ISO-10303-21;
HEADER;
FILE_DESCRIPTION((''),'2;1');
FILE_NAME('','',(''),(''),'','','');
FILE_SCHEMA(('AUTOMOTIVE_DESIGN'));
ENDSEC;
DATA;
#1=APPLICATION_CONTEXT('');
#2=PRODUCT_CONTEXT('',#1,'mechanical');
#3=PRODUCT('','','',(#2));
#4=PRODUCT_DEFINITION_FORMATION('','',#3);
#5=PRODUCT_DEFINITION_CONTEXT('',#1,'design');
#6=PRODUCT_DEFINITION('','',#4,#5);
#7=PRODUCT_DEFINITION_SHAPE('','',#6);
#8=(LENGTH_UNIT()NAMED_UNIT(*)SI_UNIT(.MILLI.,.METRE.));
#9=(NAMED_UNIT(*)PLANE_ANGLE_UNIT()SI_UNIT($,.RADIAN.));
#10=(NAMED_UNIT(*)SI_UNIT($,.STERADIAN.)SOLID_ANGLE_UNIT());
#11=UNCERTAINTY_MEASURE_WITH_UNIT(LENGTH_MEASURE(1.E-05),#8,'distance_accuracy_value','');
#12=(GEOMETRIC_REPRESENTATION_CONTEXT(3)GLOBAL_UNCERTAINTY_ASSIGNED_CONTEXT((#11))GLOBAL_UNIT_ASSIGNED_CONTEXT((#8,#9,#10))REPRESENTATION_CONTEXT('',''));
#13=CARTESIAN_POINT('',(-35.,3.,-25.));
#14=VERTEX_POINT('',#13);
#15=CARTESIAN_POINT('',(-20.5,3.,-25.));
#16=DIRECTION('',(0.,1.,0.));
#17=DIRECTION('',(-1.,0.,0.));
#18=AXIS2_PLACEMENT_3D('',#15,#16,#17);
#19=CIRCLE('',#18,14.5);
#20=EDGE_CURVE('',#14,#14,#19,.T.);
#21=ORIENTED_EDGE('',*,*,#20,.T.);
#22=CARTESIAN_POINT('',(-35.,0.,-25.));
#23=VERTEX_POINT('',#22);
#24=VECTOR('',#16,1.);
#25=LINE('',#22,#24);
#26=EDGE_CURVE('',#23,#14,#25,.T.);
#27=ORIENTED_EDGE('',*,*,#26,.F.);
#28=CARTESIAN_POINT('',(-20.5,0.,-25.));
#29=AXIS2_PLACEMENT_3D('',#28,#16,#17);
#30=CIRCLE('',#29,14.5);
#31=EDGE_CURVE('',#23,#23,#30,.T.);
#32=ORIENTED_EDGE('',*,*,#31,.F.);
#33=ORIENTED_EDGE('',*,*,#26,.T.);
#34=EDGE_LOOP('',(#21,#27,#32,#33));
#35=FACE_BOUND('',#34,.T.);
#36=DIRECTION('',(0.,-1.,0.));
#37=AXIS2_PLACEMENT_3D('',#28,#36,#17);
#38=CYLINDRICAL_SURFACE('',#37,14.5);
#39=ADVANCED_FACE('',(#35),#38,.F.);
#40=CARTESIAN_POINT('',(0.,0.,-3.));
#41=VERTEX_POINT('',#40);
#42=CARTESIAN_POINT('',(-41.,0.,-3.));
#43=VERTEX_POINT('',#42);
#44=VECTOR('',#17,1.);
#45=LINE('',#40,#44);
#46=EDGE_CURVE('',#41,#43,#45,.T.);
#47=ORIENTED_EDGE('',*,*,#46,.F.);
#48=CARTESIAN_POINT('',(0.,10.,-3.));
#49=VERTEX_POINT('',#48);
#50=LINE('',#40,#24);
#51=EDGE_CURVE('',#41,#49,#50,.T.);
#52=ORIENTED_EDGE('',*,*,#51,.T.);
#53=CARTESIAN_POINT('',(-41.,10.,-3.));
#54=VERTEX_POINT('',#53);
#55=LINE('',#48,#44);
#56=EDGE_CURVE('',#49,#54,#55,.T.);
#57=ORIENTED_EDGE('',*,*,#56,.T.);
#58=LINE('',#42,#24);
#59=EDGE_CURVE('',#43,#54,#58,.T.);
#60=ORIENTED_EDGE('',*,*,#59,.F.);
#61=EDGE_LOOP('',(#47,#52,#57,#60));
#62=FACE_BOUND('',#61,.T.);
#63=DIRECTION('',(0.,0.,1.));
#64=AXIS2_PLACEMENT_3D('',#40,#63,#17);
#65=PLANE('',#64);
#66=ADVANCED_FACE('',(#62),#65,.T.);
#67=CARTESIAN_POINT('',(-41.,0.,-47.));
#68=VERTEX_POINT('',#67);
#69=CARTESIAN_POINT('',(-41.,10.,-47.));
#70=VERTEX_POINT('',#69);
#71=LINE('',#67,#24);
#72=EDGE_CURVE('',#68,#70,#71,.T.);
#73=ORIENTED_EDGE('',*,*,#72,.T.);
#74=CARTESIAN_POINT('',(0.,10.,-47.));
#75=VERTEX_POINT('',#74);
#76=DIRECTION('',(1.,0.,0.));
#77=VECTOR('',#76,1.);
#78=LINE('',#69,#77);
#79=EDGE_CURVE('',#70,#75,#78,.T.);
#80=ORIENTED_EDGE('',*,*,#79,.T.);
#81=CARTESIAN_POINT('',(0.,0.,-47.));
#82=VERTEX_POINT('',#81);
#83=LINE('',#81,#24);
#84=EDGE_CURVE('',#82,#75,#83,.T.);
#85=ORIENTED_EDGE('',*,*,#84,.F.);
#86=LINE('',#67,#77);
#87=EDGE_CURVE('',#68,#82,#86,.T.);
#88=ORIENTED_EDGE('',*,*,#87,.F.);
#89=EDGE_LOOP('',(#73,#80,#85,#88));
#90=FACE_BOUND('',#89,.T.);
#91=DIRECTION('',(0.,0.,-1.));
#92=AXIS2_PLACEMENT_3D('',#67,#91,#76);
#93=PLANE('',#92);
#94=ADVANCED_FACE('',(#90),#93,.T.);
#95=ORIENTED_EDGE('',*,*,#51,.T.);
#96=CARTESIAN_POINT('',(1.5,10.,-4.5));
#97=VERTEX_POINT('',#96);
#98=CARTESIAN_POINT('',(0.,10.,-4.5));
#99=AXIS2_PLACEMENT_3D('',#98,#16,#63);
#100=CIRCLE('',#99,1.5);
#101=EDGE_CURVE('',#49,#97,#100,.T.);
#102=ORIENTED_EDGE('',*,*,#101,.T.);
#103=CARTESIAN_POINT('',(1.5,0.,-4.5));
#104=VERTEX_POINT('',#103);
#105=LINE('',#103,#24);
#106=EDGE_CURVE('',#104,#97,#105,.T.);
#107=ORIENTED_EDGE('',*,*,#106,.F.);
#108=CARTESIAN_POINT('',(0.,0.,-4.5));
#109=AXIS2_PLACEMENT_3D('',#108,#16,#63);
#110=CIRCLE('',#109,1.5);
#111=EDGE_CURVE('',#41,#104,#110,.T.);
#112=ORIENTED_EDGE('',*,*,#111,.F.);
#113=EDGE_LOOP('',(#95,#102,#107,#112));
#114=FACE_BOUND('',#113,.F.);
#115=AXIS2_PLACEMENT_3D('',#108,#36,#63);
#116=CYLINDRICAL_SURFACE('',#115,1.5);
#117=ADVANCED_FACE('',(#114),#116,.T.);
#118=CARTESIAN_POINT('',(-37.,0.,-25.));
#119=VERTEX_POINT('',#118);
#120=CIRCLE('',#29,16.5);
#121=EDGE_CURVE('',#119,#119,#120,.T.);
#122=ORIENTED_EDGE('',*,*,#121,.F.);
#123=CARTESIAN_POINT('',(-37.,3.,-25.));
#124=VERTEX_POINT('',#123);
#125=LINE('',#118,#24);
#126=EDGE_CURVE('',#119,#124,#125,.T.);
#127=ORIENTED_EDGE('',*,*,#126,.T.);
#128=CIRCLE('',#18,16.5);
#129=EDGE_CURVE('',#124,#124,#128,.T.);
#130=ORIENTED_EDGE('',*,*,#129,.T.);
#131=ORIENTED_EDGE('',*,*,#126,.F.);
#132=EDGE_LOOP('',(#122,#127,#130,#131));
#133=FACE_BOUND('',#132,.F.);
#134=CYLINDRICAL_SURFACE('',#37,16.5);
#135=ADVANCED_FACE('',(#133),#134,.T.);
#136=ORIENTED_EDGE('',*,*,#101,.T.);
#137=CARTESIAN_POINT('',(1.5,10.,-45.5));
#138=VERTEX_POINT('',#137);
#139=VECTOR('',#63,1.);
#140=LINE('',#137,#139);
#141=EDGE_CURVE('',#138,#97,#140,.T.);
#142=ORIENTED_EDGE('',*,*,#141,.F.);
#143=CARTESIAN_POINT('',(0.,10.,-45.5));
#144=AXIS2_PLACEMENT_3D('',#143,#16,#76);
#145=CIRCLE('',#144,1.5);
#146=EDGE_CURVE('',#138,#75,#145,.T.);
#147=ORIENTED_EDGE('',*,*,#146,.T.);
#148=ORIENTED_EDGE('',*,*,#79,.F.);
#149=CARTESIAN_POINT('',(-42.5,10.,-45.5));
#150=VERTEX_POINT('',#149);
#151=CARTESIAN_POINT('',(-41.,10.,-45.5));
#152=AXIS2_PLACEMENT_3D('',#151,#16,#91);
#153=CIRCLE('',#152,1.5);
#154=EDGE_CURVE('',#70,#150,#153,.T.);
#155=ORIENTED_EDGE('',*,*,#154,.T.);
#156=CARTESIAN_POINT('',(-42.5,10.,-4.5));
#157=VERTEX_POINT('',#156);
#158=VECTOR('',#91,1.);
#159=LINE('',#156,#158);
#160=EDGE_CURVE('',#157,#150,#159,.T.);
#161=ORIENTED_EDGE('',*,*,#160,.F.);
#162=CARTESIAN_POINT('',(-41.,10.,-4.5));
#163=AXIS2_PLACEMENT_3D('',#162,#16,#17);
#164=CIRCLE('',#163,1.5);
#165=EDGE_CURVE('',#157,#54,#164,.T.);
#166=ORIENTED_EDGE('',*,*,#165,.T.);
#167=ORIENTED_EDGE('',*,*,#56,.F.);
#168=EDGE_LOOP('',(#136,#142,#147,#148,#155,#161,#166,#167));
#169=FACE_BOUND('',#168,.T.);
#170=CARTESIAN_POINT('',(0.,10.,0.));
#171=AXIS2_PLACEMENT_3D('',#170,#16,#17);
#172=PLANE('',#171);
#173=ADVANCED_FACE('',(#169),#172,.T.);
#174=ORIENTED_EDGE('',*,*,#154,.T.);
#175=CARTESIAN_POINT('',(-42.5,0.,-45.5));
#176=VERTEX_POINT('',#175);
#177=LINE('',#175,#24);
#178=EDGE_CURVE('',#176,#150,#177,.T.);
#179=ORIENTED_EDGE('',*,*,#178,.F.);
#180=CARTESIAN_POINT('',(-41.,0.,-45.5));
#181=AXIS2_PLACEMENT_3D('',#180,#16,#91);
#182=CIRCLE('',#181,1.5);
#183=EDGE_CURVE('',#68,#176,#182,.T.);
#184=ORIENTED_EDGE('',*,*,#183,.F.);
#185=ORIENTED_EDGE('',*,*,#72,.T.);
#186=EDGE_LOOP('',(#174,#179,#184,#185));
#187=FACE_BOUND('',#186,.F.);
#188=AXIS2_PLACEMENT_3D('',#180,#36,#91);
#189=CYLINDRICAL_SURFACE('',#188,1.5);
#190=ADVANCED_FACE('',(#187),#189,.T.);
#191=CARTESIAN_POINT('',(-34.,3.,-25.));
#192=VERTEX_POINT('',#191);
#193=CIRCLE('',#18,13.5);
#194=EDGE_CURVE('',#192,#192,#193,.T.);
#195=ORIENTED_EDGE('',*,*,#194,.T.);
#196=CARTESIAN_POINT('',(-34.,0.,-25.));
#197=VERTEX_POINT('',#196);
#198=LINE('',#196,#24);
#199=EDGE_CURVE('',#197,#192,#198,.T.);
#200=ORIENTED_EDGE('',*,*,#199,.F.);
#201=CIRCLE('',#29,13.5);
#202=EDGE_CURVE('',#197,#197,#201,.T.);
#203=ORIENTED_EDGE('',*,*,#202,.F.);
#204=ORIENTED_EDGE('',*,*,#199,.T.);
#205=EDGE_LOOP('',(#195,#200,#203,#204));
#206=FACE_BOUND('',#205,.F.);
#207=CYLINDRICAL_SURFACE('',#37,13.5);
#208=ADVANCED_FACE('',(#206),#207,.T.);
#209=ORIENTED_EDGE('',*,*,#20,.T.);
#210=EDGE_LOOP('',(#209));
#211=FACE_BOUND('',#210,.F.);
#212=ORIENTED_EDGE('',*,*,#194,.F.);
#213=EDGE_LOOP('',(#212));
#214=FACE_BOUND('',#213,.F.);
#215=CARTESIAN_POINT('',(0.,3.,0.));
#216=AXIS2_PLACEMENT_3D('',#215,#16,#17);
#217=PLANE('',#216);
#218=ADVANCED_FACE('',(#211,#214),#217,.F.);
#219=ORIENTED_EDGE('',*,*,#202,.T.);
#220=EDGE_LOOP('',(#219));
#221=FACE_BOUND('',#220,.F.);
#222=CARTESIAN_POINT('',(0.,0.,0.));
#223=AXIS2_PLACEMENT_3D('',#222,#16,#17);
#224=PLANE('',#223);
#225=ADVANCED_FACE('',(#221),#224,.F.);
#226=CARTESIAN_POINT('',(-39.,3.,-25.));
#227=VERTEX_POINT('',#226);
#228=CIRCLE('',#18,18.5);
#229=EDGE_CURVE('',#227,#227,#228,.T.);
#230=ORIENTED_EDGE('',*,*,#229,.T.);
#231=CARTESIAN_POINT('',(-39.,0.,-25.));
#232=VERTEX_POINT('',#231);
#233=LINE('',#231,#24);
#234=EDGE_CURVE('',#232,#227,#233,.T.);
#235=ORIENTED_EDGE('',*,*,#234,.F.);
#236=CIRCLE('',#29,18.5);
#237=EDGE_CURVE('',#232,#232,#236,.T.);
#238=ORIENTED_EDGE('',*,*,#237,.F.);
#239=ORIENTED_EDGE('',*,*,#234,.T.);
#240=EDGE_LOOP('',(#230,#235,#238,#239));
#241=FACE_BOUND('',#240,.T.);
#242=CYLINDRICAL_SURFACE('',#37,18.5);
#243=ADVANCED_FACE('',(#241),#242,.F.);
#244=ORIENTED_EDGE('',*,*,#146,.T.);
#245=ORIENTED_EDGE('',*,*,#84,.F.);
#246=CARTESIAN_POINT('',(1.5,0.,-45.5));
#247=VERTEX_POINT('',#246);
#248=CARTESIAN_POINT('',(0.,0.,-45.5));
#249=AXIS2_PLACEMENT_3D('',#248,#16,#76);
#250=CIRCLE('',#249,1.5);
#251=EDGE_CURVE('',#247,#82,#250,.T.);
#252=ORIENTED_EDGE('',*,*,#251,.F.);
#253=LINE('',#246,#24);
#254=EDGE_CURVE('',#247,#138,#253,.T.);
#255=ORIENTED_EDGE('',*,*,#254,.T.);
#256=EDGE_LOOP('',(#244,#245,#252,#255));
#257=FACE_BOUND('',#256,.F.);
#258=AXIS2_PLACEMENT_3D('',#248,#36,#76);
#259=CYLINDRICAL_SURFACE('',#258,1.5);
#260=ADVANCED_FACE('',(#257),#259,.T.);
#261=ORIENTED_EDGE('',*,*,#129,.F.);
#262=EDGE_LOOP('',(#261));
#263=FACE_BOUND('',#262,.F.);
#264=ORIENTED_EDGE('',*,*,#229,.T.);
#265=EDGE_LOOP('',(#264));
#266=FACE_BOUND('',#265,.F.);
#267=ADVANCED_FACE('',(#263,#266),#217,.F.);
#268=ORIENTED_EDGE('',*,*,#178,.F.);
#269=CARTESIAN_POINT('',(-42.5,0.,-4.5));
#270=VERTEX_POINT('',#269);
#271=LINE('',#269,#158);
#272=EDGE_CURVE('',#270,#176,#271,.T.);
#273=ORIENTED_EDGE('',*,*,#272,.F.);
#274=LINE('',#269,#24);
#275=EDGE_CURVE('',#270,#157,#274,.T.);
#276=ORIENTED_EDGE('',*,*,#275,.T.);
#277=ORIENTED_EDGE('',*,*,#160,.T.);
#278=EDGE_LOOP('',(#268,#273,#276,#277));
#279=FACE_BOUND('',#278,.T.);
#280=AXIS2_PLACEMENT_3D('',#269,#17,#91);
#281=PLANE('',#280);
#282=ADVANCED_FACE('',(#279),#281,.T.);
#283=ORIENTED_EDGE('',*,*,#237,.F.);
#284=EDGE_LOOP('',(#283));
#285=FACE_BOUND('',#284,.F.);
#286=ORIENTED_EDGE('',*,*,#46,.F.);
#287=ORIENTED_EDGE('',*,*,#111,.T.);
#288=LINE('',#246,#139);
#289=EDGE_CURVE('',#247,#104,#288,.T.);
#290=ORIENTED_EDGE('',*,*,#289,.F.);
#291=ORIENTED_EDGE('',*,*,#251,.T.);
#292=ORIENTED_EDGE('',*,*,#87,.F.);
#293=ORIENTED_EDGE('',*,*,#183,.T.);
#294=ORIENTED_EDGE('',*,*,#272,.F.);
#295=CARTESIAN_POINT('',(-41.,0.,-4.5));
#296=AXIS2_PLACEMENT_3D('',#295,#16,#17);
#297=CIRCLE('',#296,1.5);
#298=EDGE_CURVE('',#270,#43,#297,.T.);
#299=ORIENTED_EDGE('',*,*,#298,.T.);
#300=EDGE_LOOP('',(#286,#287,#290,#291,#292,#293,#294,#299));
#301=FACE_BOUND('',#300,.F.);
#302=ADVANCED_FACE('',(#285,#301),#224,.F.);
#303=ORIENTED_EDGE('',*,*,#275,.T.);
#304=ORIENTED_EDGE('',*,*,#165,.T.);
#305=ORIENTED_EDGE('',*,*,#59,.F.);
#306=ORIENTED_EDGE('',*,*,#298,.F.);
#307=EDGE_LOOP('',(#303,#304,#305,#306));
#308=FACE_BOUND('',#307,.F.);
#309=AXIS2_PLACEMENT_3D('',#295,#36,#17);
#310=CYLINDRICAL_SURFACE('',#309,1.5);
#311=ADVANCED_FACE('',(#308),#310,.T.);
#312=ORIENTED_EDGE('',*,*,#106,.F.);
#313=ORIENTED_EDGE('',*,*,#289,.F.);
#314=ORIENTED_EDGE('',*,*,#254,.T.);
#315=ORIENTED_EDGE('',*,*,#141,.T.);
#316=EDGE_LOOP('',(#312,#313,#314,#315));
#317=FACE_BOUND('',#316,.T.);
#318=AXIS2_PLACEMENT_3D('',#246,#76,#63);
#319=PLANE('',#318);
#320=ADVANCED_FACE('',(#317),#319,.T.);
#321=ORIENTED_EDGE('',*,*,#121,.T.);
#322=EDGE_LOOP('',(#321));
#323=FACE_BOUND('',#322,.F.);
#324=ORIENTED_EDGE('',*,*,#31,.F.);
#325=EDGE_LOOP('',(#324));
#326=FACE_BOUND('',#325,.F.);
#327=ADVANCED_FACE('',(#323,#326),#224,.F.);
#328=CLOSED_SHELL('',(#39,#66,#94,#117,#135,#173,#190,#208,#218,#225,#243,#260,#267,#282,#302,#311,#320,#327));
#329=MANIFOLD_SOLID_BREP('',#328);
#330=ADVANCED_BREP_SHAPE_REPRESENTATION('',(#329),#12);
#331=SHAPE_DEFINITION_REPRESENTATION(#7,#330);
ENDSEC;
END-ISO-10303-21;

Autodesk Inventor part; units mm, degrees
ref_plane "YZ Plane" through (0, 0, 0) normal (1, 0, 0) x (0, 1, 0)
ref_plane "XZ Plane" through (0, 0, 0) normal (0, 1, 0) x (-1, 0, 0)
ref_plane "XY Plane" through (0, 0, 0) normal (0, 0, 1) x (1, 0, 0)
sketch "Эскиз1" plane through (0, 0, 0) normal (0, 1, 0) x (-1, 0, 0)
  arc A0 (41, -50) -> (45.5, -45.5) centre (41, -45.5) ccw
  line L0 (0, -50) -> (41, -50)
  arc A1 (-4.5, -45.5) -> (0, -50) centre (0, -45.5) ccw
  line L1 (-4.5, -4.5) -> (-4.5, -45.5)
  arc A2 (0, 0) -> (-4.5, -4.5) centre (0, -4.5) ccw
  line L2 (-1.5, -45.5) -> (-1.5, -4.5)
  arc A3 (0, -3) -> (-1.5, -4.5) centre (0, -4.5) ccw
  line L3 (0, -3) -> (41, -3)
  line L4 (41, 0) -> (0, 0)
  arc A4 (45.5, -4.5) -> (41, 0) centre (41, -4.5) ccw
  line L5 (45.5, -45.5) -> (45.5, -4.5)
  line L6 (42.5, -4.5) -> (42.5, -45.5)
  arc A5 (42.5, -4.5) -> (41, -3) centre (41, -4.5) ccw
  line L7 (41, -47) -> (0, -47)
  arc A6 (41, -47) -> (42.5, -45.5) centre (41, -45.5) ccw
  arc A7 (-1.5, -45.5) -> (0, -47) centre (0, -45.5) ccw
  circle A8 centre (20.5, -25) radius 18.5
  circle A9 centre (20.5, -25) radius 16.5
  circle A10 centre (20.5, -25) radius 14.5
  circle A11 centre (20.5, -25) radius 13.5
  point P0 (11.5, -30)
extrude "Выдавливание1" add sketch "Эскиз1" along normal blind 10 contours L2 A3 L3 A5 L6 A6 L7 A7 | A8 | A9 | A10 | A11
extrude "Выдавливание2" cut sketch "Эскиз1" along normal blind 3 contours A8 | A10
properties part number "Cap" material "Стекло, литое, серое"
